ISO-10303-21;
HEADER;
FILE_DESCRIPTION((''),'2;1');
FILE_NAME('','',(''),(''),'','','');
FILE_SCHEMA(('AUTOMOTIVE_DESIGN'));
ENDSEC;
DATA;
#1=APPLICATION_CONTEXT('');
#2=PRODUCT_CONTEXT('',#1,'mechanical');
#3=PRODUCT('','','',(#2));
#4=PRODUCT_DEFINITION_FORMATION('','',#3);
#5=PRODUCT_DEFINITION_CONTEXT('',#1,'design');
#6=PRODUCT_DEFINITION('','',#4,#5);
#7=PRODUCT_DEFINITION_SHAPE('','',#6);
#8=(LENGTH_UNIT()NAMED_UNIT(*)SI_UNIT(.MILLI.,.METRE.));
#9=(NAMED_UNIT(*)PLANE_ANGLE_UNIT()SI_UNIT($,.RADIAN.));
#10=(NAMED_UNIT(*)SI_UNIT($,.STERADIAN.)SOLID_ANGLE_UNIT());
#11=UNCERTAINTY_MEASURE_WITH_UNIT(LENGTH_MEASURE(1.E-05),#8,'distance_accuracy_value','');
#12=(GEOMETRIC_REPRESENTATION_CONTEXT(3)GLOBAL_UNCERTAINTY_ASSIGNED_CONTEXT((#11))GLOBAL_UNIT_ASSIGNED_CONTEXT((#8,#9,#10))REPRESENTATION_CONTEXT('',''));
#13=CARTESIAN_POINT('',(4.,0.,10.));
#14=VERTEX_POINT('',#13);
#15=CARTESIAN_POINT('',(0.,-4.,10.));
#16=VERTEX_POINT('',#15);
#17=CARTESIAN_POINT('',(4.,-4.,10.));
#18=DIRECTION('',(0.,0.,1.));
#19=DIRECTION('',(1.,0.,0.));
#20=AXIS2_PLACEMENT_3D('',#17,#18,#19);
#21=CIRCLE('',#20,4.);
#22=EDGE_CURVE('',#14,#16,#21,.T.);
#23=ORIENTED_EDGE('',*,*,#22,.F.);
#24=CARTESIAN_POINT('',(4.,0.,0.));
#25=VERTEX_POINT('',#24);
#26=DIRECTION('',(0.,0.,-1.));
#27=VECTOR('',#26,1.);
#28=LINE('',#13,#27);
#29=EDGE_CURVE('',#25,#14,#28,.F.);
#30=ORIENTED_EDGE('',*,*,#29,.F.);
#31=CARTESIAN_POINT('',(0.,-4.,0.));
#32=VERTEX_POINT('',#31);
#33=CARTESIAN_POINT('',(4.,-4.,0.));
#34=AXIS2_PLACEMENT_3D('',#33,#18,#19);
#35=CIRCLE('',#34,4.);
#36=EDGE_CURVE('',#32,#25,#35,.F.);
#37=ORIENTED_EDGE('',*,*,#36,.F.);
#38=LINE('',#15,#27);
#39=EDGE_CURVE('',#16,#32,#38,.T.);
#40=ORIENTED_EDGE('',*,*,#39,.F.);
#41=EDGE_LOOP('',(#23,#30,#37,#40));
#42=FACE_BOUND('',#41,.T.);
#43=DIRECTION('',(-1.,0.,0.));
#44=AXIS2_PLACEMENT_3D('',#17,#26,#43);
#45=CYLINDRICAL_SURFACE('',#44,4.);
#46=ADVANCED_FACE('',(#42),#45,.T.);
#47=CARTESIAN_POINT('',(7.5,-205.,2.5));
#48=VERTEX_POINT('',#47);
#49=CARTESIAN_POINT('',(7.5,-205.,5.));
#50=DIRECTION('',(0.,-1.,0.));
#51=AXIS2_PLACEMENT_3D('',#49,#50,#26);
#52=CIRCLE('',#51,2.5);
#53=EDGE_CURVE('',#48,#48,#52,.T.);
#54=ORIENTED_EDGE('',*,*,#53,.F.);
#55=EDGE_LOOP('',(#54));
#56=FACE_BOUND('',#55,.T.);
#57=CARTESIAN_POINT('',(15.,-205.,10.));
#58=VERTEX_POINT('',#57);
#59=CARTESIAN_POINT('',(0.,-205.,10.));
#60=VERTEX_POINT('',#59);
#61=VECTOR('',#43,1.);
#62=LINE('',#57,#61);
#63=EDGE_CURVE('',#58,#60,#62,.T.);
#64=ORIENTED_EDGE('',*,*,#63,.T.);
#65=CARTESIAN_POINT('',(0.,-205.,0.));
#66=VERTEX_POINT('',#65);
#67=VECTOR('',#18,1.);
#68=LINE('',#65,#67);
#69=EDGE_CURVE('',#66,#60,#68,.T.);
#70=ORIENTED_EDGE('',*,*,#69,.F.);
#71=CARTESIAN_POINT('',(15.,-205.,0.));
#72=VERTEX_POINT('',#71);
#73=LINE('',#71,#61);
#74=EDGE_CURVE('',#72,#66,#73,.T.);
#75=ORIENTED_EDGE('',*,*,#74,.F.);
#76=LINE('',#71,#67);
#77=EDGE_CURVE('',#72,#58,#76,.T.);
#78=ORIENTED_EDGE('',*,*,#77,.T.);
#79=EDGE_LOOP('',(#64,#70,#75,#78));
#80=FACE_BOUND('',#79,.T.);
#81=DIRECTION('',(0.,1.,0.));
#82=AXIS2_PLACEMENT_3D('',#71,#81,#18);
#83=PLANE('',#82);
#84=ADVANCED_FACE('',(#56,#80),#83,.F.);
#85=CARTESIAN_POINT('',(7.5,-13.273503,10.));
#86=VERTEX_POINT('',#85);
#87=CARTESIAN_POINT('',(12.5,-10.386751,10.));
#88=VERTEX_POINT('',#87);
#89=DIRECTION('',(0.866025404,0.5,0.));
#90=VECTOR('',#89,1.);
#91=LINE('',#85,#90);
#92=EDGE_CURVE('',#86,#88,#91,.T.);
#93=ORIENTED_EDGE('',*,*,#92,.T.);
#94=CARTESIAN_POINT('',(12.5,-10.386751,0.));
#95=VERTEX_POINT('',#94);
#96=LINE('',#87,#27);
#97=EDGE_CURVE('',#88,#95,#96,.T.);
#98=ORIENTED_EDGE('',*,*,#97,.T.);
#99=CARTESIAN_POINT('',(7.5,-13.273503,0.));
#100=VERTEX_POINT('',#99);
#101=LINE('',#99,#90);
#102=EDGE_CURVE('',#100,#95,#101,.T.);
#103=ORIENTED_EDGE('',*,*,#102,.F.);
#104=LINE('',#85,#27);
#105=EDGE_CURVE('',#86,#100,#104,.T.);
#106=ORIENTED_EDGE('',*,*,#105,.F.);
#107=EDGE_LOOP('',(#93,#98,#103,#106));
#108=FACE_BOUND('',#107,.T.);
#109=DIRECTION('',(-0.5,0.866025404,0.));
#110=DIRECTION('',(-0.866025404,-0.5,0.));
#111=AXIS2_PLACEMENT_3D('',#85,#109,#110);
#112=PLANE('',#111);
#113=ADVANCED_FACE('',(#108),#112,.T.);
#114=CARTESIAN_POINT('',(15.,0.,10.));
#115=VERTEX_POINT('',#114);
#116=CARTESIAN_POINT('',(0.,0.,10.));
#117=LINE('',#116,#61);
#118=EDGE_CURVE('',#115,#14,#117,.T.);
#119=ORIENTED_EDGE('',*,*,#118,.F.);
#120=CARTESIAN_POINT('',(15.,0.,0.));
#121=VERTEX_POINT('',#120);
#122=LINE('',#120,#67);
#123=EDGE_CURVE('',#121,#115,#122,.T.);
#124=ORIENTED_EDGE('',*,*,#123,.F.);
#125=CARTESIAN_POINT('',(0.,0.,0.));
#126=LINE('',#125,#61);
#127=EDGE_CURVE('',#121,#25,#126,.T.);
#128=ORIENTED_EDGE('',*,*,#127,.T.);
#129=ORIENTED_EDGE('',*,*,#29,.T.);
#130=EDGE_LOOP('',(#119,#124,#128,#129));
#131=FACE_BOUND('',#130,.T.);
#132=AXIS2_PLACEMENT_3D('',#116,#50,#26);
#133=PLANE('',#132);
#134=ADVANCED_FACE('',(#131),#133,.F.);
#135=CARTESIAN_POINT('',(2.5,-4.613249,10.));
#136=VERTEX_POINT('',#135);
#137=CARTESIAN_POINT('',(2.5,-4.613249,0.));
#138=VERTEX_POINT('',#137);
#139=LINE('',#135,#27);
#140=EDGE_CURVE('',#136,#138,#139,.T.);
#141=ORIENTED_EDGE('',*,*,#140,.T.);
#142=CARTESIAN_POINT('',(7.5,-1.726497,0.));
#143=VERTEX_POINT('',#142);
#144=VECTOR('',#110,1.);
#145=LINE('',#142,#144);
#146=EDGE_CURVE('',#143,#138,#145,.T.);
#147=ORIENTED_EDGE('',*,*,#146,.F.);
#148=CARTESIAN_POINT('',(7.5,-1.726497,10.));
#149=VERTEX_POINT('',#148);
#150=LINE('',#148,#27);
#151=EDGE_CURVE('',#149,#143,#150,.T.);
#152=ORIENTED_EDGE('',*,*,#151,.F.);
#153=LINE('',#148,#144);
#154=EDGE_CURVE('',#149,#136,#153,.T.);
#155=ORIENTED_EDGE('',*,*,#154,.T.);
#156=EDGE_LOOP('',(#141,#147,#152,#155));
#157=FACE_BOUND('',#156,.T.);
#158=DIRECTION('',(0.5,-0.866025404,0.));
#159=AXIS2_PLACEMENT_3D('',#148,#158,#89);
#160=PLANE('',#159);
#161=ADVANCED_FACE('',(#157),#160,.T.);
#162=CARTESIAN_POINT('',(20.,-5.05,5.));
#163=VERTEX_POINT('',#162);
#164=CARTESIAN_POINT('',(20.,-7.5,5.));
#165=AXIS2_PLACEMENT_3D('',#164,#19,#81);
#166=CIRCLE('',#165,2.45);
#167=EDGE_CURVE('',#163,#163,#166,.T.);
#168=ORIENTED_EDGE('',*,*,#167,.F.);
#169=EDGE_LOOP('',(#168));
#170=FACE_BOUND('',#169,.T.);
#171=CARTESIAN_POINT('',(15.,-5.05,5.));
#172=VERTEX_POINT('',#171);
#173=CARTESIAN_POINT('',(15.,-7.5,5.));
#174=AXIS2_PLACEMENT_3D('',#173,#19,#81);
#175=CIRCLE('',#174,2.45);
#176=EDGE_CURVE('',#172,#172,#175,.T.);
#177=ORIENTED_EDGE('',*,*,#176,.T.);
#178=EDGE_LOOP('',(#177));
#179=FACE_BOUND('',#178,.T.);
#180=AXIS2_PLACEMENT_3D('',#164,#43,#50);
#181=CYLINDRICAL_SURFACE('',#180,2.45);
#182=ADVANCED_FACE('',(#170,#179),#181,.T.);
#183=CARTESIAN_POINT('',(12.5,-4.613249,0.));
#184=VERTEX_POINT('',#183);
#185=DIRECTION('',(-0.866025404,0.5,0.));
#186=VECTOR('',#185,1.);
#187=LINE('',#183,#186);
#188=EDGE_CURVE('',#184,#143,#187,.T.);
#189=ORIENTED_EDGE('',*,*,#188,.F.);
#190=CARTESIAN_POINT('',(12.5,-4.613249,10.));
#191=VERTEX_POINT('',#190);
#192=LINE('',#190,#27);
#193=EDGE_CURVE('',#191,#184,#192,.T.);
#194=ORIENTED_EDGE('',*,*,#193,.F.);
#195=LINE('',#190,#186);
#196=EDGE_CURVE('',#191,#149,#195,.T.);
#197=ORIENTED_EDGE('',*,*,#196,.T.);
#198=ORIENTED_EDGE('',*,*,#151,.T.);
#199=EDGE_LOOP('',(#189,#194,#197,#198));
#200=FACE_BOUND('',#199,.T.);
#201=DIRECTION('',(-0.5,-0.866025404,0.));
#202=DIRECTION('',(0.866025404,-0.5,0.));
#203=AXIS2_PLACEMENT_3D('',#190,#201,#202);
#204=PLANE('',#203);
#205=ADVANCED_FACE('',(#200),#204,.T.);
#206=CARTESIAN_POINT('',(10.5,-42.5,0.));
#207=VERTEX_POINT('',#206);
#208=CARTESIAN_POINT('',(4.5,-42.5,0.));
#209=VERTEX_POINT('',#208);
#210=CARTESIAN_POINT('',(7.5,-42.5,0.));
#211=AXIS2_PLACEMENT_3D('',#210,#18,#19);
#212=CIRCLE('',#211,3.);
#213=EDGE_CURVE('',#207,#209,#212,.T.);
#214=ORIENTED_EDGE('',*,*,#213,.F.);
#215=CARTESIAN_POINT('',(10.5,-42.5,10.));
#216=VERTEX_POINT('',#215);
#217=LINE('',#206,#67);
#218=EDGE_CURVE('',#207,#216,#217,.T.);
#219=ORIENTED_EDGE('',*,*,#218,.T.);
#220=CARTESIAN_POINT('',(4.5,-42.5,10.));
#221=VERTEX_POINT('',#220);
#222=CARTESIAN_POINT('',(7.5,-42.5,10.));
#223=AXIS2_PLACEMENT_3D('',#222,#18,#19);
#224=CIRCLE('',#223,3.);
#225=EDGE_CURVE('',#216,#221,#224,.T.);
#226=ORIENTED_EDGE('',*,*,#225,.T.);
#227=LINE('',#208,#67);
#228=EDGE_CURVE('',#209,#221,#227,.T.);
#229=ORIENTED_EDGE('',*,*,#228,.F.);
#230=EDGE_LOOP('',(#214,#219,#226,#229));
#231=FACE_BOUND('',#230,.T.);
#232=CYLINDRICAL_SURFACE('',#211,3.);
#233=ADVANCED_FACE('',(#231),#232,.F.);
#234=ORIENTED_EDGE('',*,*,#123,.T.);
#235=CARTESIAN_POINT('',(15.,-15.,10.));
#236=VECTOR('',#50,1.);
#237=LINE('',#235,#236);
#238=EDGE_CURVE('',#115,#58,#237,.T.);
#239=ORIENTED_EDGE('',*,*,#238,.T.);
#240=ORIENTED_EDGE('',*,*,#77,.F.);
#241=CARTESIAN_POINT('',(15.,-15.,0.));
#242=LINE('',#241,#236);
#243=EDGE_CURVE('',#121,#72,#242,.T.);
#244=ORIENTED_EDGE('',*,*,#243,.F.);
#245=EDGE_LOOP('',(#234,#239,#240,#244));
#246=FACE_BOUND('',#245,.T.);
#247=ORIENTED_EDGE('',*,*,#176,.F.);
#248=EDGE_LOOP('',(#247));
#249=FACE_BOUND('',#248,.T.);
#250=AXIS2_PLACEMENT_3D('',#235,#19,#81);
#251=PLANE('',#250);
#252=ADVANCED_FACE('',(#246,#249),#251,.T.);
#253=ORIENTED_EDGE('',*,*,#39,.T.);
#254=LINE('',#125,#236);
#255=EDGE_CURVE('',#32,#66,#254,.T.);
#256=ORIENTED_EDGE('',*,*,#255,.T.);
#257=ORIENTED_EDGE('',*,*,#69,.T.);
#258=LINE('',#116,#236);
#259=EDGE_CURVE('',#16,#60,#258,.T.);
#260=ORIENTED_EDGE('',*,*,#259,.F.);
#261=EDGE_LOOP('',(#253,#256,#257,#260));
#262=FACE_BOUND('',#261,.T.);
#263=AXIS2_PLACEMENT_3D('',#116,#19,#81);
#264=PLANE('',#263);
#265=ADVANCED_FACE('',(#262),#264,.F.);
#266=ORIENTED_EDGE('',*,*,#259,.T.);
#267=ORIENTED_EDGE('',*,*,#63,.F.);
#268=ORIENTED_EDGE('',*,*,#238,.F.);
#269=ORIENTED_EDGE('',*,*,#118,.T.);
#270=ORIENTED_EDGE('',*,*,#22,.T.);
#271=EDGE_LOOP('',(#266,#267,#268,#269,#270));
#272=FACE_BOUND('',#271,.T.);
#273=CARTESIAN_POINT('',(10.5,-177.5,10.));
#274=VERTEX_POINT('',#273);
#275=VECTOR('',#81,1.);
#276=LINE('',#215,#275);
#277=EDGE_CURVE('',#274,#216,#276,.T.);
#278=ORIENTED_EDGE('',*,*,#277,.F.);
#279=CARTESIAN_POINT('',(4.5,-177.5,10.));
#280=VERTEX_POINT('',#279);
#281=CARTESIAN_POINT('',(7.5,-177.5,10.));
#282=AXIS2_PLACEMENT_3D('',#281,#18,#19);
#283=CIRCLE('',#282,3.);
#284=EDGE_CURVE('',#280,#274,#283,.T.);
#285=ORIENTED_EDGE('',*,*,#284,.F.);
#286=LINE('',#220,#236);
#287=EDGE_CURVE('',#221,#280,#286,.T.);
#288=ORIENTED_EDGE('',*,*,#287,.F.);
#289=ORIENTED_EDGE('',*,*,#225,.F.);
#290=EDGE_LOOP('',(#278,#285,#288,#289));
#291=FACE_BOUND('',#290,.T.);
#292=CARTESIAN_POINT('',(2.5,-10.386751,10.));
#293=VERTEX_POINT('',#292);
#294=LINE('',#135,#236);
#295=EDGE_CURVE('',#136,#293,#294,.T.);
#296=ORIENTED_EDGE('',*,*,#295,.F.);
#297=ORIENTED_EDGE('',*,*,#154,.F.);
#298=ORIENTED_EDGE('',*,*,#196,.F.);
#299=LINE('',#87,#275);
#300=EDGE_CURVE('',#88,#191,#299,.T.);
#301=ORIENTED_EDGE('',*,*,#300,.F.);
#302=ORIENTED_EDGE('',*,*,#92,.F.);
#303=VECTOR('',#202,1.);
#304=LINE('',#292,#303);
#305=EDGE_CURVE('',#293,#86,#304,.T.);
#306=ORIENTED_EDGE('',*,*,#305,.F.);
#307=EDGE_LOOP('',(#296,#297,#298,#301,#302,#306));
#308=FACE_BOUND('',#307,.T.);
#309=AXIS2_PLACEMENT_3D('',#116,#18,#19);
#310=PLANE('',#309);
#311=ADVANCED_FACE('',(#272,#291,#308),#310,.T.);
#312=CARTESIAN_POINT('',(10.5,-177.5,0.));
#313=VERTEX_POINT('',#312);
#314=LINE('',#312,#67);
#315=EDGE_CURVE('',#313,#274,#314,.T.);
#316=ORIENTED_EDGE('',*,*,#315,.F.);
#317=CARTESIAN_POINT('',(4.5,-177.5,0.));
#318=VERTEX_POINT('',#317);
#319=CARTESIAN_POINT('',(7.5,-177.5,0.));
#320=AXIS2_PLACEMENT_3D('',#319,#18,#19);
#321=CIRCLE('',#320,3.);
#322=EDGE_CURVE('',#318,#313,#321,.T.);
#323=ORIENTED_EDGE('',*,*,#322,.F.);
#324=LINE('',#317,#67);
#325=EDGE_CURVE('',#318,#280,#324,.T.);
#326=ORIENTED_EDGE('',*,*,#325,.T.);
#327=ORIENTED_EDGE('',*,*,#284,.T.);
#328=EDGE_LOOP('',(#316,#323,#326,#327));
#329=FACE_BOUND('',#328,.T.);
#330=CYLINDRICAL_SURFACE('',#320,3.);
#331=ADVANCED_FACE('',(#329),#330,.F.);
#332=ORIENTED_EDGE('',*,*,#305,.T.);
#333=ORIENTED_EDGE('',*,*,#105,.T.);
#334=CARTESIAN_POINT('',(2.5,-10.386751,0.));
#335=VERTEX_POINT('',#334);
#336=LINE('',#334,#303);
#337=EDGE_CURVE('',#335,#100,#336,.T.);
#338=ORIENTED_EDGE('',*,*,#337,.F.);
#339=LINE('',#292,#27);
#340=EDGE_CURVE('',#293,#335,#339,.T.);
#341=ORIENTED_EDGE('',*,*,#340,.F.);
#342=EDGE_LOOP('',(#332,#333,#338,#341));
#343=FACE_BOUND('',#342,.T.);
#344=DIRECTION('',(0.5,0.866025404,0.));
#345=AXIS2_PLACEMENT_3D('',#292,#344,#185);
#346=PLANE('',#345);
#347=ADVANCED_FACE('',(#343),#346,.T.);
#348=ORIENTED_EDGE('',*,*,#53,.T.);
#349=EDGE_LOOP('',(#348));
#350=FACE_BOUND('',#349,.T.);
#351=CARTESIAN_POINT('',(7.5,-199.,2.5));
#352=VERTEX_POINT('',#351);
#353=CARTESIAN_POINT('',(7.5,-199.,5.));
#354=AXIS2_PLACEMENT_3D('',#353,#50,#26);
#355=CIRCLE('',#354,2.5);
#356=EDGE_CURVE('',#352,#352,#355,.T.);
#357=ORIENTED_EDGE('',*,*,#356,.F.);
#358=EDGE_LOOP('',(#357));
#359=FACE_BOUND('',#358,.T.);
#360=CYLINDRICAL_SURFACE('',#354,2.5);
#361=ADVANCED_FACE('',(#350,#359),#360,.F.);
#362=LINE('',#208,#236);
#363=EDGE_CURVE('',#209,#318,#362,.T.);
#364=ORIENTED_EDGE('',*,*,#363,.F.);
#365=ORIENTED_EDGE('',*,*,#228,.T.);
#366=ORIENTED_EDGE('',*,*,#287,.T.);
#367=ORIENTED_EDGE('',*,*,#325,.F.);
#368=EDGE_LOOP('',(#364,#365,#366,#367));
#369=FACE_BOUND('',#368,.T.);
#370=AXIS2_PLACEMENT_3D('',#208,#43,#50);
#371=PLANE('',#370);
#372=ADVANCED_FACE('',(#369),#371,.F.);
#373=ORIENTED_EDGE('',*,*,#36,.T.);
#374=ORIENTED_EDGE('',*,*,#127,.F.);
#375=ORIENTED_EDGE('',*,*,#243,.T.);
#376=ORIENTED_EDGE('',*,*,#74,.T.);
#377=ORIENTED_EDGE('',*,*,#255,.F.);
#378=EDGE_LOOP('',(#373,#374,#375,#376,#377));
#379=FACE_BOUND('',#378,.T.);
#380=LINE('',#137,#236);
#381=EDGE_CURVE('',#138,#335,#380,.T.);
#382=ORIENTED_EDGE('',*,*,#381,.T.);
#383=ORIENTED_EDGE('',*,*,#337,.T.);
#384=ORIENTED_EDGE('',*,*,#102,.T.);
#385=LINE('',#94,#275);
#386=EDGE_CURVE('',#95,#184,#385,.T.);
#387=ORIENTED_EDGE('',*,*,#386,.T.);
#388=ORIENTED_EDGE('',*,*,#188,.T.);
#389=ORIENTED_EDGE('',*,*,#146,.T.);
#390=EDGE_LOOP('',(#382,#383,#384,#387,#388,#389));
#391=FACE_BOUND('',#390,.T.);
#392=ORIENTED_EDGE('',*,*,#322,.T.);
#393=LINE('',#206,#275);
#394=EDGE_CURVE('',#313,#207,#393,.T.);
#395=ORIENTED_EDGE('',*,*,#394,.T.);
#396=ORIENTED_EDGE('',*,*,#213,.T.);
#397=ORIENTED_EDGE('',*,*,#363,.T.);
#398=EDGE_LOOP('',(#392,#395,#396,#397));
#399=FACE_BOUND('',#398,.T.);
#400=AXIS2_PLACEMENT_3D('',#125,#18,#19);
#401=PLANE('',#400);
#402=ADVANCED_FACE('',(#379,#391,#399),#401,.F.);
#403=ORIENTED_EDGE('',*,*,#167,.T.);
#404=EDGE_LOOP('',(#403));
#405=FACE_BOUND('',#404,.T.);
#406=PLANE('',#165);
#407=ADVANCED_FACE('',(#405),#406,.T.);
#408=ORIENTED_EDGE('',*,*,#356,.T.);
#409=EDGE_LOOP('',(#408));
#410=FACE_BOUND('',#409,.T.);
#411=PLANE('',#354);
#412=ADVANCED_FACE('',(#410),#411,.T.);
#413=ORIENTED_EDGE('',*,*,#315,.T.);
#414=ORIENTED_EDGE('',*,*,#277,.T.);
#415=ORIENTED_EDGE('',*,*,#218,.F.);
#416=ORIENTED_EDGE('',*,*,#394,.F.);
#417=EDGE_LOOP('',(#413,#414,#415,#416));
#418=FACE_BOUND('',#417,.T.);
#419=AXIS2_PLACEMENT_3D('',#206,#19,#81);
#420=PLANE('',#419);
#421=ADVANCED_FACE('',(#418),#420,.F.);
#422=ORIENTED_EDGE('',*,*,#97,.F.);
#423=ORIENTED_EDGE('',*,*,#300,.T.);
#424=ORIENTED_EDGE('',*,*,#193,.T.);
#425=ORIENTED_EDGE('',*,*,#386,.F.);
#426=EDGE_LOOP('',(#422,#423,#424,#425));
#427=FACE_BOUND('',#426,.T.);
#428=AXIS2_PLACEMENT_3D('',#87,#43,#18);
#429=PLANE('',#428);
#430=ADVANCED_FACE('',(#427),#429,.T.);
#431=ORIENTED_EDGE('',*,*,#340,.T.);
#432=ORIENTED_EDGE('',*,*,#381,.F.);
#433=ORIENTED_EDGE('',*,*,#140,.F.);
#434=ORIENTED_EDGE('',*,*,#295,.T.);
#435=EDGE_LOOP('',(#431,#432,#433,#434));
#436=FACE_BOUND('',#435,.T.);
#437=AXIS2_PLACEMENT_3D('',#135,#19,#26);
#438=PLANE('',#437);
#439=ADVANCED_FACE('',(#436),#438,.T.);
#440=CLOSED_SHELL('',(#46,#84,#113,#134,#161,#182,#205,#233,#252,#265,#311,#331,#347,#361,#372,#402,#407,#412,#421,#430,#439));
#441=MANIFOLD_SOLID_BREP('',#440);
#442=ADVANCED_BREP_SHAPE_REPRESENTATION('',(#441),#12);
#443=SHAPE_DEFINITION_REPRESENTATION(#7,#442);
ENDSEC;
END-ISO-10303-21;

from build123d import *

# Parameters (mm, degrees)
CROQUIS1_W              = 220
CROQUIS1_H              = 220
CROQUIS1_W_2            = 190
CROQUIS1_H_2            = 190
SALIENTE_EXTRUIR1_DEPTH = 10
REDONDEO2_R             = 4
CORTAR_EXTRUIR4_DEPTH   = 10
CORTAR_EXTRUIR5_DEPTH   = 10
CROQUIS6_W              = 214.832400875
CROQUIS6_H              = 220
CORTAR_EXTRUIR6_DEPTH   = 10
CROQUIS7_R              = 2.45
SALIENTE_EXTRUIR2_DEPTH = 5
CROQUIS11_W             = 15
CROQUIS11_H             = 15
CORTAR_EXTRUIR9_DEPTH   = 10
CROQUIS12_R             = 2.5
CORTAR_EXTRUIR10_DEPTH  = 6


with BuildPart() as part:
    # Croquis1 → Saliente-Extruir1 (new body)
    with BuildSketch(Plane.XY):
        with Locations((110, -110)):
            Rectangle(CROQUIS1_W, CROQUIS1_H)
        with Locations((110, -110)):
            Rectangle(CROQUIS1_W_2, CROQUIS1_H_2, mode=Mode.SUBTRACT)
        Polygon((212.5, -13.273502692), (217.5, -10.386751346), (217.5, -4.613248654), (212.5, -1.726497308), (207.5, -4.613248654), (207.5, -10.386751346), align=None, mode=Mode.SUBTRACT)
        Polygon((7.5, -13.273502692), (12.5, -10.386751346), (12.5, -4.613248654), (7.5, -1.726497308), (2.5, -4.613248654), (2.5, -10.386751346), align=None, mode=Mode.SUBTRACT)
        Polygon((212.5, -218.273502692), (217.5, -215.386751346), (217.5, -209.613248654), (212.5, -206.726497308), (207.5, -209.613248654), (207.5, -215.386751346), align=None, mode=Mode.SUBTRACT)
        Polygon((7.5, -218.273502692), (12.5, -215.386751346), (12.5, -209.613248654), (7.5, -206.726497308), (2.5, -209.613248654), (2.5, -215.386751346), align=None, mode=Mode.SUBTRACT)
    extrude(amount=SALIENTE_EXTRUIR1_DEPTH)

    # Redondeo2
    redondeo2_edges = [part.edges().sort_by_distance(p)[0] for p in [
        (0, 0, 5),
        (220, 0, 5),
        (220, -220, 5),
        (0, -220, 5),
    ]]
    fillet(redondeo2_edges, radius=REDONDEO2_R)

    # Croquis4 → Cortar-Extruir4 (cut)
    with BuildSketch(Plane.XY.offset(10)):
        with BuildLine():
            Line((42.5, -4.5), (177.5, -4.5))
            ThreePointArc((177.5, -4.5), (180.5, -7.5), (177.5, -10.5))
            Line((177.5, -10.5), (42.5, -10.5))
            ThreePointArc((42.5, -10.5), (39.5, -7.5), (42.5, -4.5))
        make_face()
        with BuildLine():
            Line((42.5, -215.5), (177.5, -215.5))
            ThreePointArc((177.5, -215.5), (180.5, -212.5), (177.5, -209.5))
            Line((177.5, -209.5), (42.5, -209.5))
            ThreePointArc((42.5, -209.5), (39.5, -212.5), (42.5, -215.5))
        make_face()
    extrude(amount=-CORTAR_EXTRUIR4_DEPTH, mode=Mode.SUBTRACT)

    # Croquis5 → Cortar-Extruir5 (cut)
    with BuildSketch(Plane.XY.offset(10)):
        with BuildLine():
            Line((10.5, -42.5), (10.5, -177.5))
            ThreePointArc((10.5, -177.5), (7.5, -180.5), (4.5, -177.5))
            Line((4.5, -177.5), (4.5, -42.5))
            ThreePointArc((4.5, -42.5), (7.5, -39.5), (10.5, -42.5))
        make_face()
        with BuildLine():
            Line((209.5, -42.5), (209.5, -177.5))
            ThreePointArc((209.5, -177.5), (212.5, -180.5), (215.5, -177.5))
            Line((215.5, -177.5), (215.5, -42.5))
            ThreePointArc((215.5, -42.5), (212.5, -39.5), (209.5, -42.5))
        make_face()
    extrude(amount=-CORTAR_EXTRUIR5_DEPTH, mode=Mode.SUBTRACT)

    # Croquis6 → Cortar-Extruir6 (cut)
    with BuildSketch(Plane.XY.offset(10)):
        with Locations((122.416200438, -110)):
            Rectangle(CROQUIS6_W, CROQUIS6_H)
    extrude(amount=-CORTAR_EXTRUIR6_DEPTH, mode=Mode.SUBTRACT)

    # Croquis7 → Saliente-Extruir2 (add)
    with BuildSketch(Plane(origin=(15, 0, 0), x_dir=(0, 0, -1), z_dir=(1, 0, 0))):
        with Locations((-5, -7.5)):
            Circle(CROQUIS7_R)
    extrude(amount=SALIENTE_EXTRUIR2_DEPTH)

    # Croquis11 → Cortar-Extruir9 (cut)
    with BuildSketch(Plane.XY.offset(10)):
        with Locations((7.5, -212.5)):
            Rectangle(CROQUIS11_W, CROQUIS11_H)
    extrude(amount=-CORTAR_EXTRUIR9_DEPTH, mode=Mode.SUBTRACT)

    # Croquis12 → Cortar-Extruir10 (cut)
    with BuildSketch(Plane.XZ.offset(205)):
        with Locations((7.5, 5)):
            Circle(CROQUIS12_R)
    extrude(amount=-CORTAR_EXTRUIR10_DEPTH, mode=Mode.SUBTRACT)


solid = part.part
